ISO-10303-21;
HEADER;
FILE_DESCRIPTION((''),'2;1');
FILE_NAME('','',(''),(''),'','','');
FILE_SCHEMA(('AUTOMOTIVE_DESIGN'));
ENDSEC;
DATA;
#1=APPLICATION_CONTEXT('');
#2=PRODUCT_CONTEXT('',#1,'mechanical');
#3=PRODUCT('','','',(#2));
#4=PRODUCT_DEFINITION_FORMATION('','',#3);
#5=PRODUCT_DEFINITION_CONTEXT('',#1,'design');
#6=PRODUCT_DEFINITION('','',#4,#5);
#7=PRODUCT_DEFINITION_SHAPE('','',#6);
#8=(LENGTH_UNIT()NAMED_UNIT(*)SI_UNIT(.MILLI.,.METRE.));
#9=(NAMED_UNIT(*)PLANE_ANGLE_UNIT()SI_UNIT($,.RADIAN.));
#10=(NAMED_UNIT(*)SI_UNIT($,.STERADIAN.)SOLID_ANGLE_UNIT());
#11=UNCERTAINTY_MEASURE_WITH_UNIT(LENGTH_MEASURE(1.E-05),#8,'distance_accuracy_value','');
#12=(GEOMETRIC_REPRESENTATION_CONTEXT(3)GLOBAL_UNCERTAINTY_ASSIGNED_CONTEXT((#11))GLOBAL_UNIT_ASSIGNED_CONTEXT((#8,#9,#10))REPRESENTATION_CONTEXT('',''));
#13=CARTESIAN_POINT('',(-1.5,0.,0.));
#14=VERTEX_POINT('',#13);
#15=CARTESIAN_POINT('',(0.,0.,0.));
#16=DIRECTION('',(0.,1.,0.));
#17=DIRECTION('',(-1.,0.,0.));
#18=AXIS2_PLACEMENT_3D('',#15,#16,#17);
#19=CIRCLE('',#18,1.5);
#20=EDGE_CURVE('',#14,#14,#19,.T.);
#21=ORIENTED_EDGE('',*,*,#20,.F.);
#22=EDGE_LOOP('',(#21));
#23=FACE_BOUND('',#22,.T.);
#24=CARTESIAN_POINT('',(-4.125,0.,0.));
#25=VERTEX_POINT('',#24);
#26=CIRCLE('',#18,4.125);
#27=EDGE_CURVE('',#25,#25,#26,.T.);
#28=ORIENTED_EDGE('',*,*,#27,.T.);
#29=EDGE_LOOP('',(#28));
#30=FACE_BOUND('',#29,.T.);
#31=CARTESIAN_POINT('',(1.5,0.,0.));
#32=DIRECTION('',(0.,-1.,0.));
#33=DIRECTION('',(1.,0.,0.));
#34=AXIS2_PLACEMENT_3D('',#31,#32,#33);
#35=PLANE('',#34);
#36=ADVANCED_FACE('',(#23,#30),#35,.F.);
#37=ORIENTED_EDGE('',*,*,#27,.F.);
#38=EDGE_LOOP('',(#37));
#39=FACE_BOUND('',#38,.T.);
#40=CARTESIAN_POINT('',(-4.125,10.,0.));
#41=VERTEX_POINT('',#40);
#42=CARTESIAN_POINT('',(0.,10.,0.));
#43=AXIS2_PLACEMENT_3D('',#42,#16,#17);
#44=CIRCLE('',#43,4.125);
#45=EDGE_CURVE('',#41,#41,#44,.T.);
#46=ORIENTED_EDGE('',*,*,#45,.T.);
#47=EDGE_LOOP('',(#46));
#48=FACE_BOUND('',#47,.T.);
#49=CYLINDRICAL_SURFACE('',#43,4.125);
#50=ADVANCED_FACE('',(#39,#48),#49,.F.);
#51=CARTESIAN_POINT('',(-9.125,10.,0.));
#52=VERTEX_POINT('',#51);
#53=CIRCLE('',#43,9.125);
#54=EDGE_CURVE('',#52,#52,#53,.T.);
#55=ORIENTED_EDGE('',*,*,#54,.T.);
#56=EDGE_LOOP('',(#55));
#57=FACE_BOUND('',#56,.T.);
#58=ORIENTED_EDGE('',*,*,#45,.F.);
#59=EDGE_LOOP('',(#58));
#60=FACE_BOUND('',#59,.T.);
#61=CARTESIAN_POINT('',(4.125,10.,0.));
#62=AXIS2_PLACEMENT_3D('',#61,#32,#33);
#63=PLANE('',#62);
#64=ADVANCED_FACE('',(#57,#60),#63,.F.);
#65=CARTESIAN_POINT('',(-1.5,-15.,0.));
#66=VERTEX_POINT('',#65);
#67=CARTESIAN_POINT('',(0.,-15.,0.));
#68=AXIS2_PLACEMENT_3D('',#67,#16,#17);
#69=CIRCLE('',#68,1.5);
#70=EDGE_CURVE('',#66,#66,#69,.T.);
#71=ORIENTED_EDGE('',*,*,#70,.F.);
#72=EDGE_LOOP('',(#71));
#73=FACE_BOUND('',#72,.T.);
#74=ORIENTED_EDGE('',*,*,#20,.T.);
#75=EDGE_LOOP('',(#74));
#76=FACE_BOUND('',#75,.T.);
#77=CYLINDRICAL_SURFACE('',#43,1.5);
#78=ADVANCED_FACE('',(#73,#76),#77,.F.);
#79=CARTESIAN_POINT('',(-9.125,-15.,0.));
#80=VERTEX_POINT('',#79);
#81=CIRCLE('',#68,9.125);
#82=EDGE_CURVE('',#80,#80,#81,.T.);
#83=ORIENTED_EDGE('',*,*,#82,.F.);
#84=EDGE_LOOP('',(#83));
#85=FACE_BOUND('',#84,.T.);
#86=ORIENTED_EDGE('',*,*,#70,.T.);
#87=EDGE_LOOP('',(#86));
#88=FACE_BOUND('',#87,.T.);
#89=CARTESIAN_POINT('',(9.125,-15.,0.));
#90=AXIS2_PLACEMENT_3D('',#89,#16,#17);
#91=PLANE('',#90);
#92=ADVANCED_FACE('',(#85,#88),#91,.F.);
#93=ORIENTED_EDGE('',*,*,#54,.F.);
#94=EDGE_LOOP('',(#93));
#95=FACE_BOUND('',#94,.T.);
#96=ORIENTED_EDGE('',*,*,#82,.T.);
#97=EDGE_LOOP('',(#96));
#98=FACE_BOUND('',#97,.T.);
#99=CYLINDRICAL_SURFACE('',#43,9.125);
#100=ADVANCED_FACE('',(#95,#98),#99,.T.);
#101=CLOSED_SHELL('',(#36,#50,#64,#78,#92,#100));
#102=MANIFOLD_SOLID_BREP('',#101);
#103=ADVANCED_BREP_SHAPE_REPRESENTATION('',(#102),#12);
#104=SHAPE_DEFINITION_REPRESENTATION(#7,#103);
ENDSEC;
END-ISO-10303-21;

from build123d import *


with BuildPart() as part:
    # Sketch1 → Revolve1 (revolve)
    with BuildSketch(Plane.XY):
        Polygon((4.125, 10), (9.125, 10), (9.125, -15), (1.5, -15), (1.5, 0), (4.125, 0), align=None)
    revolve(axis=Axis((0, 10, 0), (0, -1, 0)))


solid = part.part
